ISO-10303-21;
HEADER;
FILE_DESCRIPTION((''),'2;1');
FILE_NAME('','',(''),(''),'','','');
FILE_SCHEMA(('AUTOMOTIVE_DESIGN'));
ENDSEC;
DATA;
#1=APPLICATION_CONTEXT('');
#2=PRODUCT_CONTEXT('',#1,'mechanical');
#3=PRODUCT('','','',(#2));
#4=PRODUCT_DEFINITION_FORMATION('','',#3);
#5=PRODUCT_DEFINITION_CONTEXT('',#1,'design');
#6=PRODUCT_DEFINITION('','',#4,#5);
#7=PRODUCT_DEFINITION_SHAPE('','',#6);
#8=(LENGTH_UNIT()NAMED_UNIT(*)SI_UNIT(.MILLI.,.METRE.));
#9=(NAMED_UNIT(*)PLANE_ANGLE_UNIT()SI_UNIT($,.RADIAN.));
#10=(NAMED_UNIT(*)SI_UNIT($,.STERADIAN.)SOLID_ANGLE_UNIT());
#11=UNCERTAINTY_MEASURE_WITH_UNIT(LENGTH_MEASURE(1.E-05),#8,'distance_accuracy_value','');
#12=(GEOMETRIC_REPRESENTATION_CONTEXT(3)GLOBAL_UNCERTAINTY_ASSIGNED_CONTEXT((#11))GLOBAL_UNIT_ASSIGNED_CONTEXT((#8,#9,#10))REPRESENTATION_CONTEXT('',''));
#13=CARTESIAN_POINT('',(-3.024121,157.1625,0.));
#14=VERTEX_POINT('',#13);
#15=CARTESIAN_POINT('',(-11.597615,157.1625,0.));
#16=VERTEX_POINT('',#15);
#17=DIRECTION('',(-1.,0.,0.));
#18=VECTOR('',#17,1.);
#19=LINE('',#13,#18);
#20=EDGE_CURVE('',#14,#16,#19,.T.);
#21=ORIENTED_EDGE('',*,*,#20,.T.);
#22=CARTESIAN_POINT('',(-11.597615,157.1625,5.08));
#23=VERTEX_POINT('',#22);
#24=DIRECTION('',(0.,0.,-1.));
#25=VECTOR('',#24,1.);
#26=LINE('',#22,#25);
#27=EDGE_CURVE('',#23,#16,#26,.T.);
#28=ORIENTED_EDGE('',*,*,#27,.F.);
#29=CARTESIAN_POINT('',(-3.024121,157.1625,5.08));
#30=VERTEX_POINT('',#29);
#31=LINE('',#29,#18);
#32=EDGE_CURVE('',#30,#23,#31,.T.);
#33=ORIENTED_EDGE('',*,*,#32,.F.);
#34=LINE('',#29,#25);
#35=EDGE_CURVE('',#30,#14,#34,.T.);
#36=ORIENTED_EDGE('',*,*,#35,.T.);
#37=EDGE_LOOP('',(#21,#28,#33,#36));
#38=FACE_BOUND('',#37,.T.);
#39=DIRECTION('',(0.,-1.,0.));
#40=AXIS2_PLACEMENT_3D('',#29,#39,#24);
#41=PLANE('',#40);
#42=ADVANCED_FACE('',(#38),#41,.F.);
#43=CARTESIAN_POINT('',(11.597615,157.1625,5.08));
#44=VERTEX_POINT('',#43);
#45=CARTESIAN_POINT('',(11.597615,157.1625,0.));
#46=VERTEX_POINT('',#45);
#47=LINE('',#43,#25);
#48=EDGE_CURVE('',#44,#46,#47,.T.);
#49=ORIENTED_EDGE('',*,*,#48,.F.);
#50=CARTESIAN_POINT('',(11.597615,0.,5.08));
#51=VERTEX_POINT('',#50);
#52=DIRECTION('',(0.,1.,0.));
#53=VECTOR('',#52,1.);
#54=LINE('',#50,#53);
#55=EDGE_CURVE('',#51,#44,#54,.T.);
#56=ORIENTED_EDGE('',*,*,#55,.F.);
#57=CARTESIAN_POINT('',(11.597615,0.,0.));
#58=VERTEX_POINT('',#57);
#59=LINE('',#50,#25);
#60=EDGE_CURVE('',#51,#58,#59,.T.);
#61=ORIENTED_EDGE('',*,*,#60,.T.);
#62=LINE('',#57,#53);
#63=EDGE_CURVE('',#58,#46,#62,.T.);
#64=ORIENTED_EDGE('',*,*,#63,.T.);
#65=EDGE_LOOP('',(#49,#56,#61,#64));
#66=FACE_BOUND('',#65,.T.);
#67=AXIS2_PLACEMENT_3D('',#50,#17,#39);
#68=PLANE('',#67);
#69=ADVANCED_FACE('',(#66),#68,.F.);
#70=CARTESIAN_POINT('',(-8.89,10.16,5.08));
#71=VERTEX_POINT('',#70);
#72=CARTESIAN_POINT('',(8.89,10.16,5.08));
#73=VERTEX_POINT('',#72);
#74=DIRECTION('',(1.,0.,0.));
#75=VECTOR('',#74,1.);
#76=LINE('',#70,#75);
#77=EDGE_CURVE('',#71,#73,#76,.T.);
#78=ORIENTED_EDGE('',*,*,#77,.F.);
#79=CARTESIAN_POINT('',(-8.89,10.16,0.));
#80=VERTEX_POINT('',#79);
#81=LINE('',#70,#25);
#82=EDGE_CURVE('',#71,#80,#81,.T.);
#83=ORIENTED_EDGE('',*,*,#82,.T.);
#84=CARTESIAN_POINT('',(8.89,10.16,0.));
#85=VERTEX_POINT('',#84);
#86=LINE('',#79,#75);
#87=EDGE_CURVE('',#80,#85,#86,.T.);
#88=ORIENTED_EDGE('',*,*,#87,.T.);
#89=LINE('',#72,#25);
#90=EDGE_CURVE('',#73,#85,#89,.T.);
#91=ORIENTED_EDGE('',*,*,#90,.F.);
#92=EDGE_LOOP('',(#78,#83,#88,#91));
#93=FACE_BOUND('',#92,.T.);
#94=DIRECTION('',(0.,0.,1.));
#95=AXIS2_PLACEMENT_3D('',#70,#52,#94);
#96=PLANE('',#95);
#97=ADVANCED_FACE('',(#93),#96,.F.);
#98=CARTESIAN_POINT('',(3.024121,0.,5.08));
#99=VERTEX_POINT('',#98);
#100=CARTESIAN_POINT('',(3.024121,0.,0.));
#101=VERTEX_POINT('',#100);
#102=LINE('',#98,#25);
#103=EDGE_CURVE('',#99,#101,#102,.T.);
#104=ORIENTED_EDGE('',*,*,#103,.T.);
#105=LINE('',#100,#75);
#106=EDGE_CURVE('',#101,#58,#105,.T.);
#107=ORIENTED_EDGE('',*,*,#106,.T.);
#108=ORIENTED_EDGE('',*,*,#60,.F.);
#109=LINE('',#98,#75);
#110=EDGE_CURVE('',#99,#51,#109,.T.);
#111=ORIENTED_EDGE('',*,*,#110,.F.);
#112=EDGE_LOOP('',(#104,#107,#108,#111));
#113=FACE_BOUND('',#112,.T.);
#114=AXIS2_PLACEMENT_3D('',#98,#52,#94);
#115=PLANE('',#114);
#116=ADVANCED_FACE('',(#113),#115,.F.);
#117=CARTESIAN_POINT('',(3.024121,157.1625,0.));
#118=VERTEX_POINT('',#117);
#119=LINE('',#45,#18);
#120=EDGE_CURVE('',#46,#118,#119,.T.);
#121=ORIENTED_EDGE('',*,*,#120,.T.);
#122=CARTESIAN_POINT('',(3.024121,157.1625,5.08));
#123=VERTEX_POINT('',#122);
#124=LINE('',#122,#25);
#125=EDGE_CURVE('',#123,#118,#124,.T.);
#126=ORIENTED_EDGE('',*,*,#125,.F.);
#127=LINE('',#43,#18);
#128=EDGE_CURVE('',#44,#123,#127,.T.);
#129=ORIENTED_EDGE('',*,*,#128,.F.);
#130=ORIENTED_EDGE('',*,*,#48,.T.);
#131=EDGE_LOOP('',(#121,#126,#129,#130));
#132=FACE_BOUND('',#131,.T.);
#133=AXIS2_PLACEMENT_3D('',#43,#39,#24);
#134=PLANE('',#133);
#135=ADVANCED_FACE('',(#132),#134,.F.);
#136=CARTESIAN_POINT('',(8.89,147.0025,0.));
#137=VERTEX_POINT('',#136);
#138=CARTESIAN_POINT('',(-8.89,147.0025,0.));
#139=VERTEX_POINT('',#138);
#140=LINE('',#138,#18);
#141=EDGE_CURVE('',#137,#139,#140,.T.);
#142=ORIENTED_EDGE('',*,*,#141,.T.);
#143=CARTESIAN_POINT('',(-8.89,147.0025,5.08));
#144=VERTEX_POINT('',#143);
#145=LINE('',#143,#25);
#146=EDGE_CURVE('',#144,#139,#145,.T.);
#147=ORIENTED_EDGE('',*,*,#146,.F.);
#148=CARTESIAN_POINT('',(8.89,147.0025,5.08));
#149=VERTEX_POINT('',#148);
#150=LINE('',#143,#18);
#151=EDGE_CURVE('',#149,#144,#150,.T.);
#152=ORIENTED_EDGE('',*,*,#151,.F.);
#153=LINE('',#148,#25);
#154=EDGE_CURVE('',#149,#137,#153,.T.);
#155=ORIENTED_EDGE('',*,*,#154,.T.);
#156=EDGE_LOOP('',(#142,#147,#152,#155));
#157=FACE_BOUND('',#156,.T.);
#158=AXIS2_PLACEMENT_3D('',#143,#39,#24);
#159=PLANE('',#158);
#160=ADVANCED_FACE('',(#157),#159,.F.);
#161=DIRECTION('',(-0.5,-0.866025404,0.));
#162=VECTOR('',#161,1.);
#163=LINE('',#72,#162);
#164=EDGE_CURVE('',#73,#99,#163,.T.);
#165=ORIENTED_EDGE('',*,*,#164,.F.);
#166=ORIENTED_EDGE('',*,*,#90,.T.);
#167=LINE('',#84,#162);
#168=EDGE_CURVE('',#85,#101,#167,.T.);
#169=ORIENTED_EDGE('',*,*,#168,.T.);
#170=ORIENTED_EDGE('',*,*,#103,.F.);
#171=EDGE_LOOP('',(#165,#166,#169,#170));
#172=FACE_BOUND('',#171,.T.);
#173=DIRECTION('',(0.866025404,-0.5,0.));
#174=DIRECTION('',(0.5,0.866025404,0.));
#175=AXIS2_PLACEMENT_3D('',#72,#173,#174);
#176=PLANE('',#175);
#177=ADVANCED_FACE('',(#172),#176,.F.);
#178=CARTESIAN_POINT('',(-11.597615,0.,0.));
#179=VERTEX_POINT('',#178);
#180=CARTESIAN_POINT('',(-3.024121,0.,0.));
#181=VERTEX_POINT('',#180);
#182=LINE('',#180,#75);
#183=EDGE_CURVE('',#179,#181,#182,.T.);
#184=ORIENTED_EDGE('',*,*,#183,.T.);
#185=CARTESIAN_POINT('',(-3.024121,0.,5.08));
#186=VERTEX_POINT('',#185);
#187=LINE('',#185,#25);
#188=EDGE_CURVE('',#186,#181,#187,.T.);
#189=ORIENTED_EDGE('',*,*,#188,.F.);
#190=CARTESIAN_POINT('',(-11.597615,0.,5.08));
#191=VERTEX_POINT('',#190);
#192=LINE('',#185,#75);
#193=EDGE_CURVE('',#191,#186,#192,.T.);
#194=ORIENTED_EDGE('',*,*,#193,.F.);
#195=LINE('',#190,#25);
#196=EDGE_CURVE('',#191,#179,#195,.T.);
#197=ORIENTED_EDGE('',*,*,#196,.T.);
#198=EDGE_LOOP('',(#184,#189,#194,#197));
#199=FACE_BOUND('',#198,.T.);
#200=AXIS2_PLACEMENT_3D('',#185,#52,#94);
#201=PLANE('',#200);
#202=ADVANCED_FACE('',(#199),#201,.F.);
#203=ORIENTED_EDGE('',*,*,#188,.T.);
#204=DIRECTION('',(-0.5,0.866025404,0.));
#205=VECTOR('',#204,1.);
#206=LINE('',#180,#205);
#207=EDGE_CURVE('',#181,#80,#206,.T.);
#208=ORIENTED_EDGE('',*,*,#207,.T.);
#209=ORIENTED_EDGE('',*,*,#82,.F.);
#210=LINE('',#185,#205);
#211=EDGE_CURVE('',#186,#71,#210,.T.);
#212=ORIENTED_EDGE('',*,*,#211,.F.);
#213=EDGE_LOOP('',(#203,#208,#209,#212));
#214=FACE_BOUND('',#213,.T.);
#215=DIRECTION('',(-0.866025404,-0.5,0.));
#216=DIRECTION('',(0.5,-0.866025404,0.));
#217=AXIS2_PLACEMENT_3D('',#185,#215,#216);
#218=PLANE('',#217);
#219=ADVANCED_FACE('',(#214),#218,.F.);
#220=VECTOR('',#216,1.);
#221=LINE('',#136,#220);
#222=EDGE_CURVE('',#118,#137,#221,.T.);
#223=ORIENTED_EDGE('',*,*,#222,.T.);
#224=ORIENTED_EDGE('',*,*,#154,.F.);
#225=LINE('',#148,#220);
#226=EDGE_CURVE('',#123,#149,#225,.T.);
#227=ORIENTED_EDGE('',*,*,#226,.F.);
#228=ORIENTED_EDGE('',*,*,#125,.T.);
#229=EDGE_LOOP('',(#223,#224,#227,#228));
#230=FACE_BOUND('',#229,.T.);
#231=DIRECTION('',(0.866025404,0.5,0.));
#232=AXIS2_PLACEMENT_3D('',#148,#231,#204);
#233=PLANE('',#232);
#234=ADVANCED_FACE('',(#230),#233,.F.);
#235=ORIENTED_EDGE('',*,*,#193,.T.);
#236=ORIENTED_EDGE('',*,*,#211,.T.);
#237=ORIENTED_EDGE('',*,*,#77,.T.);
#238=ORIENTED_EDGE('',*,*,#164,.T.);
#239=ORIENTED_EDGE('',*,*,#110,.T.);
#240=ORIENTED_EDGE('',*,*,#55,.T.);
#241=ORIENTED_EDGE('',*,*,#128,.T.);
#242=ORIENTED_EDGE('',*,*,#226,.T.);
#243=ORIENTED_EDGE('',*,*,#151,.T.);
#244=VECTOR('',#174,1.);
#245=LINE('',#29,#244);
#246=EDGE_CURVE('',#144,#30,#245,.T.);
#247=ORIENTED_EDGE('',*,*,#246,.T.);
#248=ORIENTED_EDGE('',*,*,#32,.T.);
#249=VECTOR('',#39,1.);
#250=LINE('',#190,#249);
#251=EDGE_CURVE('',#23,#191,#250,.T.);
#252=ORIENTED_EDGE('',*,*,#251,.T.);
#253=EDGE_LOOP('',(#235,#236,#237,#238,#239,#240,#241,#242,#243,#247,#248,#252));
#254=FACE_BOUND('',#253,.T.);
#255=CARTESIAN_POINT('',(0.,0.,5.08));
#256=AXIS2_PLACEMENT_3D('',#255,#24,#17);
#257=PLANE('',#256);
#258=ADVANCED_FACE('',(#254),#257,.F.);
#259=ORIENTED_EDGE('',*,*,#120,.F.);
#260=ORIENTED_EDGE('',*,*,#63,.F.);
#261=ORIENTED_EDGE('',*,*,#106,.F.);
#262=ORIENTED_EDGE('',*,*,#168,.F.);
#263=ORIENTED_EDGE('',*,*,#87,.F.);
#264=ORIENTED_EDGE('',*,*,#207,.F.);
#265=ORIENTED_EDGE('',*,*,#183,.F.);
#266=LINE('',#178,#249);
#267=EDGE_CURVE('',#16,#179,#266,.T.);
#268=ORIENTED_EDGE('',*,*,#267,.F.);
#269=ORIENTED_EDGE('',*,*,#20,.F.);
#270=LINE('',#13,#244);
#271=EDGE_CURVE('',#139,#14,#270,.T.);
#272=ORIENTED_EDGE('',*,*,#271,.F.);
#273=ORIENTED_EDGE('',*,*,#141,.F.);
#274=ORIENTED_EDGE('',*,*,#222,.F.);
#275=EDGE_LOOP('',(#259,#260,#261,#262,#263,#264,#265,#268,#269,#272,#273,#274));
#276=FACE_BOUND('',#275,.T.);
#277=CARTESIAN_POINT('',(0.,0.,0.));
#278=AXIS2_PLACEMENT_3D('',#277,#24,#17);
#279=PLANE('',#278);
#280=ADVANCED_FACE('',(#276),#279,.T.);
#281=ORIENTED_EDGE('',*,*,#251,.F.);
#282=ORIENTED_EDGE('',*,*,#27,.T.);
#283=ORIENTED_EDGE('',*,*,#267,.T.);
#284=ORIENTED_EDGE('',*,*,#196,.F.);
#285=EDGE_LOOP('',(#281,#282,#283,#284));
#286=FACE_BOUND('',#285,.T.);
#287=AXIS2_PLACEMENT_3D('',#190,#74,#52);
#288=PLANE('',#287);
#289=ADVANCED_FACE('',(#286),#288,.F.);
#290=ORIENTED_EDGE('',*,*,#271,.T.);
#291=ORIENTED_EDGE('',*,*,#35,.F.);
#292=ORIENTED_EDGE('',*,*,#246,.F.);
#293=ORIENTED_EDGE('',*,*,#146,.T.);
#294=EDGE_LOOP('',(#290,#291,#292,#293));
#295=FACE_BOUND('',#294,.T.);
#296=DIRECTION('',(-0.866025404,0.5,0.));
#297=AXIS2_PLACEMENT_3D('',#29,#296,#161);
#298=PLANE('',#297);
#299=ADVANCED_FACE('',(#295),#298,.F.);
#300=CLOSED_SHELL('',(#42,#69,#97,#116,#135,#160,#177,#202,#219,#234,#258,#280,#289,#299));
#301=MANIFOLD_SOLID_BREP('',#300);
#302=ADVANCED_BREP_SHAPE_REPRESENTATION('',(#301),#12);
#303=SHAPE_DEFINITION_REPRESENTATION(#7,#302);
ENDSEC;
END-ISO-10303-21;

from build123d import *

# Parameters (mm, degrees)
BOSS_EXTRUDE1_DEPTH = 5.08


with BuildPart() as part:
    # Sketch1 → Boss-Extrude1 (new body)
    with BuildSketch(Plane.XY):
        Polygon((-3.024121265, 0), (-8.89, 10.16), (8.89, 10.16), (3.024121265, 0), (11.5976146, 0), (11.5976146, 157.1625), (3.024121265, 157.1625), (8.89, 147.0025), (-8.89, 147.0025), (-3.024121265, 157.1625), (-11.5976146, 157.1625), (-11.5976146, 0), align=None)
    extrude(amount=BOSS_EXTRUDE1_DEPTH)


solid = part.part
